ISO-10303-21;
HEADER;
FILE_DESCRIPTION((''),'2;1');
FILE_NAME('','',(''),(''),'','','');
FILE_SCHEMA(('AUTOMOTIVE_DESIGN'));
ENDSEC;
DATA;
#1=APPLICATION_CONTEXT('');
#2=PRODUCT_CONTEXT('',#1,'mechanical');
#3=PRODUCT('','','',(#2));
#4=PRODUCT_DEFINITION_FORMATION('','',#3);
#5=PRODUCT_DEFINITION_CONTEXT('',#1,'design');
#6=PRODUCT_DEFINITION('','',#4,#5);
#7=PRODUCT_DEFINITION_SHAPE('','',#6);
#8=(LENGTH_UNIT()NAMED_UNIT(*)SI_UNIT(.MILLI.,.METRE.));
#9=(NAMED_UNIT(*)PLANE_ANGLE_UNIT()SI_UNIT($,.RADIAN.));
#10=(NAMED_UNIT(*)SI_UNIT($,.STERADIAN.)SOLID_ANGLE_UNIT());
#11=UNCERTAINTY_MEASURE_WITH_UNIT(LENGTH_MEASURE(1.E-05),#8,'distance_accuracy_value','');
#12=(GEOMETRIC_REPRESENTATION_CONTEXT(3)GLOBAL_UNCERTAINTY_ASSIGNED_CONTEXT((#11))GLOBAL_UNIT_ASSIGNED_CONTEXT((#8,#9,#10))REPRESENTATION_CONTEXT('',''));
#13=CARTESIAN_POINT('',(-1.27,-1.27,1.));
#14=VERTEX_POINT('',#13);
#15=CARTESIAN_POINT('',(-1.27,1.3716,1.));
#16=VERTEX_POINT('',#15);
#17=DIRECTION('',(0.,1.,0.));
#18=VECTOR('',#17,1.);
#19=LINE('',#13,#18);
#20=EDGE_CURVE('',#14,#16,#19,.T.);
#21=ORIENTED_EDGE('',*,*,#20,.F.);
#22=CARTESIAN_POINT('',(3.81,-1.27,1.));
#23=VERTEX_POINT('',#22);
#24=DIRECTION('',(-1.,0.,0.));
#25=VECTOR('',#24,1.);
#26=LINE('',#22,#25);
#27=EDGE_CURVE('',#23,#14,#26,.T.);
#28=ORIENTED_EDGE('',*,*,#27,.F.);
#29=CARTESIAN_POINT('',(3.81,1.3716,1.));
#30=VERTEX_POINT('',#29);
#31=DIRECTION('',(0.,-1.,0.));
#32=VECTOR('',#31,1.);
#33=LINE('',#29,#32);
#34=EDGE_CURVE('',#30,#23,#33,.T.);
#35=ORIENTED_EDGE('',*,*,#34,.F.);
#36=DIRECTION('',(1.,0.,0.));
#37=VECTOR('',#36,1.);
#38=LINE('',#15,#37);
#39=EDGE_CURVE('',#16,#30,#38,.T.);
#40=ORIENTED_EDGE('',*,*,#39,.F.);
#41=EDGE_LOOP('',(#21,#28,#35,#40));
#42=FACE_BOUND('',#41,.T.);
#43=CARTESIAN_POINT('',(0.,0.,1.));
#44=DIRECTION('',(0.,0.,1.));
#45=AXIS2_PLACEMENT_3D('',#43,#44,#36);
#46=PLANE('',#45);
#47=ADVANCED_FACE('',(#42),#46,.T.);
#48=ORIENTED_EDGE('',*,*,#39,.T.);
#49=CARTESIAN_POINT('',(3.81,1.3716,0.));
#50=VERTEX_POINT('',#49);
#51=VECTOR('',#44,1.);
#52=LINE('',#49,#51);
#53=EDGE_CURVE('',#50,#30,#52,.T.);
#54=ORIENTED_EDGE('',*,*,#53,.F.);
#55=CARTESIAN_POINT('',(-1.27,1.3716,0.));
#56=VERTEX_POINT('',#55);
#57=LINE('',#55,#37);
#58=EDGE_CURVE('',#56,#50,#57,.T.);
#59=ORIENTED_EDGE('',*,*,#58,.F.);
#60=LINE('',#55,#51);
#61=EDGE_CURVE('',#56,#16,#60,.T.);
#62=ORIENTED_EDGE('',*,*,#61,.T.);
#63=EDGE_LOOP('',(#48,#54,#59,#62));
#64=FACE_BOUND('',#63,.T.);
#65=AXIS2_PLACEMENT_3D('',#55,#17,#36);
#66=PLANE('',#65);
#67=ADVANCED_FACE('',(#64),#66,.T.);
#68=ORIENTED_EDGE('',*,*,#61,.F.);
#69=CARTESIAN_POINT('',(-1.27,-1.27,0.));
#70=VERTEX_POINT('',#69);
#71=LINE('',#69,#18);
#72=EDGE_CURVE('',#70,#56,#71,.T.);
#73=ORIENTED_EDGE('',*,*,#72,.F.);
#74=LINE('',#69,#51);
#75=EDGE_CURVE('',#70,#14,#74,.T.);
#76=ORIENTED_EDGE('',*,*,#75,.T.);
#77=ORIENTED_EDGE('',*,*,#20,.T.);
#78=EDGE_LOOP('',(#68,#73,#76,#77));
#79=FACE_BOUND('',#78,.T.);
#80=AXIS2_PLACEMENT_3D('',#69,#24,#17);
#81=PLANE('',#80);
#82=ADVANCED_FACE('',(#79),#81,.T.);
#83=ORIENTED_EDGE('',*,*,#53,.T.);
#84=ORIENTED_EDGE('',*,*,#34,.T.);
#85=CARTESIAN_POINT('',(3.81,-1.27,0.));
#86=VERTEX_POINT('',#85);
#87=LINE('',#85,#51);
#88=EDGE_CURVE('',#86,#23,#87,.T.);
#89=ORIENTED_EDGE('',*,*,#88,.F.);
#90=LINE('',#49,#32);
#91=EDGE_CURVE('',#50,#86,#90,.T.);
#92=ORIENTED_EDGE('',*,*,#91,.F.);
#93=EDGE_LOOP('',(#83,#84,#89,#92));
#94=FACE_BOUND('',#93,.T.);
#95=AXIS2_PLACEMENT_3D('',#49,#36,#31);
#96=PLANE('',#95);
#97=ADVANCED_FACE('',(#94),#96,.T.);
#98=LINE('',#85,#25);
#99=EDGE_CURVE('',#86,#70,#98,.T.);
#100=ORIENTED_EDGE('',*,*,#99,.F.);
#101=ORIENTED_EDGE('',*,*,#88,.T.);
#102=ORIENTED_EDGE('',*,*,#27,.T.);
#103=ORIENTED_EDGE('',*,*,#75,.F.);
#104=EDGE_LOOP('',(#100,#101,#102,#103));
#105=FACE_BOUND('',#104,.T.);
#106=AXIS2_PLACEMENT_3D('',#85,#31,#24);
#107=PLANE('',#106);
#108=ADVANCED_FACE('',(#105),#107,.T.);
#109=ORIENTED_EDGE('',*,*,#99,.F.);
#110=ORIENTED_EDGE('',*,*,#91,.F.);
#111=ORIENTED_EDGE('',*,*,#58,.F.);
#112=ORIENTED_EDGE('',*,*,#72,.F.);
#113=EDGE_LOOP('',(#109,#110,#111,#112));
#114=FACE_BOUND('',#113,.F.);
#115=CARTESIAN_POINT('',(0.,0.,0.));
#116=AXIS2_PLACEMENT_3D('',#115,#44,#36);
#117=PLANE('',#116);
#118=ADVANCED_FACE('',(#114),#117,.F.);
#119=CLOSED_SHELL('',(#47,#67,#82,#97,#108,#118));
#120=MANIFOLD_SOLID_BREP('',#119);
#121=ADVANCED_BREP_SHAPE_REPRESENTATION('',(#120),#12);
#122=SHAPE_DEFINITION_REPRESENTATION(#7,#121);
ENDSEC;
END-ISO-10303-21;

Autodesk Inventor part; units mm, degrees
ref_plane "YZ Plane" through (0, 0, 0) normal (1, 0, 0) x (0, 1, 0)
ref_plane "XZ Plane" through (0, 0, 0) normal (0, 1, 0) x (-1, 0, 0)
ref_plane "XY Plane" through (0, 0, 0) normal (0, 0, 1) x (1, 0, 0)
sketch "1X02, EXTERNAL_32" plane through (0, 0, 0) normal (0, 0, 1) x (1, 0, 0)
  line L0 (-1.27, 1.3716) -> (3.81, 1.3716)
  line L1 (3.81, 1.3716) -> (3.81, -1.27)
  line L2 (3.81, -1.27) -> (-1.27, -1.27)
  line L3 (-1.27, -1.27) -> (-1.27, 1.3716)
extrude "Extrusion1" add sketch "1X02, EXTERNAL_32" along normal blind 1
properties part number "EXTERNAL"
